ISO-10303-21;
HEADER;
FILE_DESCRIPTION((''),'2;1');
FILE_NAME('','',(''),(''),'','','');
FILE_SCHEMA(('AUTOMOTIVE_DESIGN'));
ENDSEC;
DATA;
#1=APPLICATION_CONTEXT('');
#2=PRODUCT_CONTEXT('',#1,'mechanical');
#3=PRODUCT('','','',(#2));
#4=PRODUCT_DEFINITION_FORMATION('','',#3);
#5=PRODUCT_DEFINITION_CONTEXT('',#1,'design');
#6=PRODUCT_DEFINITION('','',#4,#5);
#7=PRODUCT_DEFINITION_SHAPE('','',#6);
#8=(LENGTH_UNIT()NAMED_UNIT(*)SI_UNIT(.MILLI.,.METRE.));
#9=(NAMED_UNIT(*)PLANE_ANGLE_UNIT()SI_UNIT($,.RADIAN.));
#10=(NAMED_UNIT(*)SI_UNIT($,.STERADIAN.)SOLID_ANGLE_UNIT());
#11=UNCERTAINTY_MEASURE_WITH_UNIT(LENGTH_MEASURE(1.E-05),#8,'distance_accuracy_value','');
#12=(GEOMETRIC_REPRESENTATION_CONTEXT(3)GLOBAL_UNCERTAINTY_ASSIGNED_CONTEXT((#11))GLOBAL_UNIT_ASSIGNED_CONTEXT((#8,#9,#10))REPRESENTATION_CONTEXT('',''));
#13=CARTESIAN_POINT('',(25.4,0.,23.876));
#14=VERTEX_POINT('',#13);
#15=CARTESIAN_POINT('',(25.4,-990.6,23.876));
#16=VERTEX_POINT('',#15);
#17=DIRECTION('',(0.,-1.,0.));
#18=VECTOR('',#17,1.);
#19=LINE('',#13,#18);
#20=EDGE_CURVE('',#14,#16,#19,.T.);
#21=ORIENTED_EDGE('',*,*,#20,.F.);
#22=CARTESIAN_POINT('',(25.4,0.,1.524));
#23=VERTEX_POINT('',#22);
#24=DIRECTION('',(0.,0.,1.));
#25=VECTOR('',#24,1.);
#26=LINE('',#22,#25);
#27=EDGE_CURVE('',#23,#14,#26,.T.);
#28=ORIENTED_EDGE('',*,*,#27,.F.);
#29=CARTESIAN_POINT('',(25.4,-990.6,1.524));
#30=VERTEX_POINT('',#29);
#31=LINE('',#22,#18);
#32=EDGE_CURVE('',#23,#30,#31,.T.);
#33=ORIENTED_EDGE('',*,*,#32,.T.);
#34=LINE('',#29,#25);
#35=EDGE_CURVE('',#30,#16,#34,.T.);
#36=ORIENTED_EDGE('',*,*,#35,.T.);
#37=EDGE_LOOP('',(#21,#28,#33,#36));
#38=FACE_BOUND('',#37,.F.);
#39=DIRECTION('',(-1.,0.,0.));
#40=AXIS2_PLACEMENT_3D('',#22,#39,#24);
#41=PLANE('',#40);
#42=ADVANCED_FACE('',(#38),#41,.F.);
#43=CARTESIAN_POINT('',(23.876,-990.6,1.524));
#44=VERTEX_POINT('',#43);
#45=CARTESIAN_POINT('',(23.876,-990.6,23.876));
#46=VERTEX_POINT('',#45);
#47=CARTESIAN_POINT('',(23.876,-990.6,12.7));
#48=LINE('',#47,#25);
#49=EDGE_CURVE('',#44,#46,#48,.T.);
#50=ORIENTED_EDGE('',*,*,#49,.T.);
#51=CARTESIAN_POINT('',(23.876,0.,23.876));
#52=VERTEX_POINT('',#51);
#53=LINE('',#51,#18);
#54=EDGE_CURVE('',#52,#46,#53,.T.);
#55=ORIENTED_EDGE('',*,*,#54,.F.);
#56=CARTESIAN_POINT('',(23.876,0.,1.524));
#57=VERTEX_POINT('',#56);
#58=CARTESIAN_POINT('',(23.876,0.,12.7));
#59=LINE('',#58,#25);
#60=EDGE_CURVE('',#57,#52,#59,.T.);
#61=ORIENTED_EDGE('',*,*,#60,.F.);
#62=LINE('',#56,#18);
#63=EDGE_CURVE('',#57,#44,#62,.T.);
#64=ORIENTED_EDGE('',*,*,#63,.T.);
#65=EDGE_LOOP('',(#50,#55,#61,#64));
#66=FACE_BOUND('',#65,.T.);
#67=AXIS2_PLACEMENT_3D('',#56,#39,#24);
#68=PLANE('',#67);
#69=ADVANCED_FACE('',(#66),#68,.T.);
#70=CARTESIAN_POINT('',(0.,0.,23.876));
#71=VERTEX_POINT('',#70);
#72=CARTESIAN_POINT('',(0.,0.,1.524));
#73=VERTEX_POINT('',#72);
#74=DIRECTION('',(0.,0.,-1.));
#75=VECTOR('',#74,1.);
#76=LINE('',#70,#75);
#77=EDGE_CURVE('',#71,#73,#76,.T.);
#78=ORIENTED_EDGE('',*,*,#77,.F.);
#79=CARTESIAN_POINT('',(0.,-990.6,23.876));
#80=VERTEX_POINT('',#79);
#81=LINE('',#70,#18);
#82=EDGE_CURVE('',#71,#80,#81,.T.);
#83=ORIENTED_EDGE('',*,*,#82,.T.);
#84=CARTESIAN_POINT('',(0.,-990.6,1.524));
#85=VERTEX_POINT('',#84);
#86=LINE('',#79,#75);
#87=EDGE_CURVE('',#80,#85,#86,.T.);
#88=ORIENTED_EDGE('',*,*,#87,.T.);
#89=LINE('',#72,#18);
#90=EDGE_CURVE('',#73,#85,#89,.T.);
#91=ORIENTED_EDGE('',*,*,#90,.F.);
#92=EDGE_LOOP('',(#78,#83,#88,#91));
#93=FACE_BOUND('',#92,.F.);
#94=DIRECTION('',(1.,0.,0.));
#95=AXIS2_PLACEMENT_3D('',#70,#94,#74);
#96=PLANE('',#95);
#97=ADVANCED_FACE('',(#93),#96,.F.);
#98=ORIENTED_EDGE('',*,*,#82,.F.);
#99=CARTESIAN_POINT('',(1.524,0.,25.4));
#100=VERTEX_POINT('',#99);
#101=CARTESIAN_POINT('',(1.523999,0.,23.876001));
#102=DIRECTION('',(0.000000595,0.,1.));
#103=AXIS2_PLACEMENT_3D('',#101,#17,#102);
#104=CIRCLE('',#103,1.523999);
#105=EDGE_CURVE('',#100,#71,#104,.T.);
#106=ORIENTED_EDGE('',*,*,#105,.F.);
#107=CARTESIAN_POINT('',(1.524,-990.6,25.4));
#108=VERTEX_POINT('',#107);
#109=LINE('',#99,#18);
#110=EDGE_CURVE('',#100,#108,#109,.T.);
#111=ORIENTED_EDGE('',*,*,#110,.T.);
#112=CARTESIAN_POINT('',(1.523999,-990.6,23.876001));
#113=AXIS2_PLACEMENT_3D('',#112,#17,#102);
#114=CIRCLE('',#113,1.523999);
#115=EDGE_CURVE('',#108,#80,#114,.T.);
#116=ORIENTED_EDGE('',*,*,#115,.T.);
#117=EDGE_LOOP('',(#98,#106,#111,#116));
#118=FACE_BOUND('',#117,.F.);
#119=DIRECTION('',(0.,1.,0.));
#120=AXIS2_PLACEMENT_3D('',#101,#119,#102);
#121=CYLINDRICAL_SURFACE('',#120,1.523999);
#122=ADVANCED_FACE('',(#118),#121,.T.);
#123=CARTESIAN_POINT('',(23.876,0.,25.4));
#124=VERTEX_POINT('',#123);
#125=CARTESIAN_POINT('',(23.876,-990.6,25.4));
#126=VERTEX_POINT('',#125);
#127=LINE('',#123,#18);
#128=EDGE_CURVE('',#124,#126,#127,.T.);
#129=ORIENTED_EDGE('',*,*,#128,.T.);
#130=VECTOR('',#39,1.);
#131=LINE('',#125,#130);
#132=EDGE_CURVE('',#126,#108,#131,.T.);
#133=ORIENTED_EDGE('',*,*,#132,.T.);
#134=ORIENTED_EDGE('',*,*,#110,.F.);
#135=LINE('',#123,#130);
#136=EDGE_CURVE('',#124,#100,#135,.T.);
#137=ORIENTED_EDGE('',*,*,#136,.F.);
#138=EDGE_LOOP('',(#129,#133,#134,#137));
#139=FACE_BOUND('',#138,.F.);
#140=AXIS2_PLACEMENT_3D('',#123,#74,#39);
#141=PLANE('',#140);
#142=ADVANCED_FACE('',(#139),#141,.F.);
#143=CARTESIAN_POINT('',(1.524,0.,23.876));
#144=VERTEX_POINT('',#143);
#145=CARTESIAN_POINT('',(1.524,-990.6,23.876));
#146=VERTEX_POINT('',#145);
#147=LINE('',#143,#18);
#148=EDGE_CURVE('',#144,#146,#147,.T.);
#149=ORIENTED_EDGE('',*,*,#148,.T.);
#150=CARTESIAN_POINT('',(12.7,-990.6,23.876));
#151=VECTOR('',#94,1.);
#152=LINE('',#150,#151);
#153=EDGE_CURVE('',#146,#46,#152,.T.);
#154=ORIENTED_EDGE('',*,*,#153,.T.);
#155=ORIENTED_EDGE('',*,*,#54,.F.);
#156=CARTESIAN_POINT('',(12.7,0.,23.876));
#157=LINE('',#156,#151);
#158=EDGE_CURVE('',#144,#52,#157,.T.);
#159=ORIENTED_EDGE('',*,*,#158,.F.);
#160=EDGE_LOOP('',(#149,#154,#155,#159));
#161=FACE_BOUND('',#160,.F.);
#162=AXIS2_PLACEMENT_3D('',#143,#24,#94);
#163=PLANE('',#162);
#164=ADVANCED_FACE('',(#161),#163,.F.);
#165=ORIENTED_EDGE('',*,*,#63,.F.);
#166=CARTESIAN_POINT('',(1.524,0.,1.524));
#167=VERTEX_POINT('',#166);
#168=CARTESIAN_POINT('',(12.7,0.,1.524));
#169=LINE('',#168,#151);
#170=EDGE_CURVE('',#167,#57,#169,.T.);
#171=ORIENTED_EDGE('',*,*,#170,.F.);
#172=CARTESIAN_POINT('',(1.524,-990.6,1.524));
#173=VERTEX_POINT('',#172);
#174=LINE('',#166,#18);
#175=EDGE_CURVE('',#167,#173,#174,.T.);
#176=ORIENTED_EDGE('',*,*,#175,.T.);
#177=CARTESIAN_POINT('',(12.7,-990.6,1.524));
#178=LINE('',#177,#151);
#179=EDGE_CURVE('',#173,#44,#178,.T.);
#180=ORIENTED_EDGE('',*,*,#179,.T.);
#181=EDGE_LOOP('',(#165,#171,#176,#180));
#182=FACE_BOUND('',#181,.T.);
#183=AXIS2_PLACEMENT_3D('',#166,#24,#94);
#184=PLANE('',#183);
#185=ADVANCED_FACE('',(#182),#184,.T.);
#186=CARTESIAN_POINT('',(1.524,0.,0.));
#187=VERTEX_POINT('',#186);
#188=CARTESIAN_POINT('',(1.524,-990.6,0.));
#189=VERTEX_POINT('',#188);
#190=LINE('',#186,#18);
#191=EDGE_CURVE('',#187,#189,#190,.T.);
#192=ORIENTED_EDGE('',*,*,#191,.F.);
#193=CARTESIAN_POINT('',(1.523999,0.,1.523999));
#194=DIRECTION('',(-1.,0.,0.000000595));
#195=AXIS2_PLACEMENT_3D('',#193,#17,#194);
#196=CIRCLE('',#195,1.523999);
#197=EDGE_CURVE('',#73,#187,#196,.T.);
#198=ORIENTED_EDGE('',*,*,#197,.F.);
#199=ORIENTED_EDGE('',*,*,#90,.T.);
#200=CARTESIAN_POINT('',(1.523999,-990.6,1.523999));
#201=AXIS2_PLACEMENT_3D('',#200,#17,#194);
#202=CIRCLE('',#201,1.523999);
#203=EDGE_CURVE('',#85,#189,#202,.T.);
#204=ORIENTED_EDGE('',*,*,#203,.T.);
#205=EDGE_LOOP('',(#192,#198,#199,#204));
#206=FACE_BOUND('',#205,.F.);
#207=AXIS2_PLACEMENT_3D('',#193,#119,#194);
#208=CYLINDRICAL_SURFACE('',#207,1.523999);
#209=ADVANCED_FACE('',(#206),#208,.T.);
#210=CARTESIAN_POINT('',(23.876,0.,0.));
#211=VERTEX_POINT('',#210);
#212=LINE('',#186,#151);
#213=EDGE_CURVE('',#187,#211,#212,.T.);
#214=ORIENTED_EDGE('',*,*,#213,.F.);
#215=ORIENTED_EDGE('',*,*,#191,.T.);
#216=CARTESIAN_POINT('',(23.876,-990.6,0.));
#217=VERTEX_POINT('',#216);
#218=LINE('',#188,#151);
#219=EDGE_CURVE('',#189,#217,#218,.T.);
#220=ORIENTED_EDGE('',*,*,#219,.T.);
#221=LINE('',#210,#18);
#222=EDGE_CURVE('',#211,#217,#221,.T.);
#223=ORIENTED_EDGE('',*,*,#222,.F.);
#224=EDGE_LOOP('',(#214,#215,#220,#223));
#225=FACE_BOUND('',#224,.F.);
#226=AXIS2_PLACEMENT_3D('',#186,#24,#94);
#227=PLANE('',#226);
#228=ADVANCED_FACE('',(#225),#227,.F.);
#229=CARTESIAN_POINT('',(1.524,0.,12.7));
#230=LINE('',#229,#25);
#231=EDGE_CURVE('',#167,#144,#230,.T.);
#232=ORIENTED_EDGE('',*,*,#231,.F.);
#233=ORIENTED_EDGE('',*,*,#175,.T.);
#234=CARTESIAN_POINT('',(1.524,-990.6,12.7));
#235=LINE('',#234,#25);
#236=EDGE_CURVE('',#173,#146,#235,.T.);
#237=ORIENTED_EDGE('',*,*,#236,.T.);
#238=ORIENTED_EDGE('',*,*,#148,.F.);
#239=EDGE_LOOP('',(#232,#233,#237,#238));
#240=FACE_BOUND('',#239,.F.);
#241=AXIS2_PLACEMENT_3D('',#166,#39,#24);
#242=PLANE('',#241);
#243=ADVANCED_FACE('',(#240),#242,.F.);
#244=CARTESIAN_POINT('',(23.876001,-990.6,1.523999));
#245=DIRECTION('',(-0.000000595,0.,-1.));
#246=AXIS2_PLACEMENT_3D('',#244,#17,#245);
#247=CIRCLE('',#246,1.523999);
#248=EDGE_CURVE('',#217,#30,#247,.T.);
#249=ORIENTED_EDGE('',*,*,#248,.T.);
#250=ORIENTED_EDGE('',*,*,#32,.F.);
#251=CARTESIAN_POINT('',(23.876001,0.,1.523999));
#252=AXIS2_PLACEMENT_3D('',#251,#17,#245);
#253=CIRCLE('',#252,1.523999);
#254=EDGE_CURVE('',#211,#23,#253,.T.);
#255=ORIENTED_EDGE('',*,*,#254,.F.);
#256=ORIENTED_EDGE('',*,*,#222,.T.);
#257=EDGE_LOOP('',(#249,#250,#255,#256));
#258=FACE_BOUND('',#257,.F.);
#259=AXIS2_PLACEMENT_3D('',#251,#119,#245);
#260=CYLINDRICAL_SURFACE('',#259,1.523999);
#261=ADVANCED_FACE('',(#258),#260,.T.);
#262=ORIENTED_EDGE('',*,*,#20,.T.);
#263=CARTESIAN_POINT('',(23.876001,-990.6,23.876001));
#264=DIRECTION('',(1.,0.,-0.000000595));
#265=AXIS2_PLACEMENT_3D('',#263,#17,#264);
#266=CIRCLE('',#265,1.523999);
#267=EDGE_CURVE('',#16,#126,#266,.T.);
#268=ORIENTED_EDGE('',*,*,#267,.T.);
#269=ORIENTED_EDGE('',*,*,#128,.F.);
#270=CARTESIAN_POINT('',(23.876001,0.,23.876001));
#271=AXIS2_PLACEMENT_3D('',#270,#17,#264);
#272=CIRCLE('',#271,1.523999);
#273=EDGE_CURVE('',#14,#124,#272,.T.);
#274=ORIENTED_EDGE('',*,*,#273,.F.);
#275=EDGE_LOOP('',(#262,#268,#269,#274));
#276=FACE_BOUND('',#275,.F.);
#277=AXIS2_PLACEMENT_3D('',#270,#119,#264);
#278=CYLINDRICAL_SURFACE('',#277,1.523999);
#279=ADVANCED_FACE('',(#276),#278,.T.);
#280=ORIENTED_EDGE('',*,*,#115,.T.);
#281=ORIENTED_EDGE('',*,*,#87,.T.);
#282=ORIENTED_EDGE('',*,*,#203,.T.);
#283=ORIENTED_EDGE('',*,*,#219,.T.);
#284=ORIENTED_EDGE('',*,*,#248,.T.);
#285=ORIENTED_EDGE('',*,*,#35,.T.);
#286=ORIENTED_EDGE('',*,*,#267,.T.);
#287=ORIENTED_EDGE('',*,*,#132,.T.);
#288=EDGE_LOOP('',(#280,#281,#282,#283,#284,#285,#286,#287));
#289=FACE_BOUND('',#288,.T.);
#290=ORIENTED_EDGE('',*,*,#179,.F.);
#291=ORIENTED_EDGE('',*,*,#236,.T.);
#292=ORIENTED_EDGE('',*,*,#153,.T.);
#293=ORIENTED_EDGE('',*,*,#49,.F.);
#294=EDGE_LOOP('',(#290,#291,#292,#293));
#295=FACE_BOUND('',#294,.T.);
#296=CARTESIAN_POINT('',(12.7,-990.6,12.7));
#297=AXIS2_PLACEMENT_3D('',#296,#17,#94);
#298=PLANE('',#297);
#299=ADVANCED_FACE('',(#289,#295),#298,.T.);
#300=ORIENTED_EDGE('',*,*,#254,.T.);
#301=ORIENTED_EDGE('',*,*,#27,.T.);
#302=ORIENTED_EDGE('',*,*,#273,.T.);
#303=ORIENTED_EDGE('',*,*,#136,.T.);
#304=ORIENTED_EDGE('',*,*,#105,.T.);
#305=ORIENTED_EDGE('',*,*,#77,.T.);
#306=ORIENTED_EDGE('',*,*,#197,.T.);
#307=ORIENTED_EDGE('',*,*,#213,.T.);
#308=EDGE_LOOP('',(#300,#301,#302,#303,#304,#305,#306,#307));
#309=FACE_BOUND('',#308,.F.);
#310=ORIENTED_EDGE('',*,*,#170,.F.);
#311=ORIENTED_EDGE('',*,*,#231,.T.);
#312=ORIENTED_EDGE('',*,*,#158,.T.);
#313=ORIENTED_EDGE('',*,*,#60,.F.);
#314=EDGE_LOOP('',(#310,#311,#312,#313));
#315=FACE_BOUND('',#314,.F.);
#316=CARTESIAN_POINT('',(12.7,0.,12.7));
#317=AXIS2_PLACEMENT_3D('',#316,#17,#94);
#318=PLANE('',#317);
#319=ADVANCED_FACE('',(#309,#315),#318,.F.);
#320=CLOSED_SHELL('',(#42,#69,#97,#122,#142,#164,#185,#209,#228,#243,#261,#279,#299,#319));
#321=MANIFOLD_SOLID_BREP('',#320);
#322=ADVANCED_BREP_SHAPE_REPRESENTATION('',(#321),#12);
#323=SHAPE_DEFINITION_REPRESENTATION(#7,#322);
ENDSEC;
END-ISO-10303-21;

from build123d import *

# Parameters (mm, degrees)
F0_W     = 22.352
F0_H     = 22.352
F1_DEPTH = 990.6


with BuildPart() as f1:
    # F0 (on Front) → F1 (new body)
    with BuildSketch(Plane.XZ):
        with BuildLine():
            ThreePointArc((0, 1.524), (0.446369, 0.446369), (1.524, 0))
            Line((1.524, 0), (23.876, 0))
            ThreePointArc((23.876, 0), (24.953631, 0.446369), (25.4, 1.524))
            Line((25.4, 1.524), (25.4, 23.876))
            ThreePointArc((25.4, 23.876), (24.953631, 24.953631), (23.876, 25.4))
            Line((23.876, 25.4), (1.524, 25.4))
            ThreePointArc((1.524, 25.4), (0.446369, 24.953631), (0, 23.876))
            Line((0, 23.876), (0, 1.524))
        make_face()
        with Locations((12.7, 12.7)):
            Rectangle(F0_W, F0_H, mode=Mode.SUBTRACT)
    extrude(amount=F1_DEPTH)


solid = f1.part
